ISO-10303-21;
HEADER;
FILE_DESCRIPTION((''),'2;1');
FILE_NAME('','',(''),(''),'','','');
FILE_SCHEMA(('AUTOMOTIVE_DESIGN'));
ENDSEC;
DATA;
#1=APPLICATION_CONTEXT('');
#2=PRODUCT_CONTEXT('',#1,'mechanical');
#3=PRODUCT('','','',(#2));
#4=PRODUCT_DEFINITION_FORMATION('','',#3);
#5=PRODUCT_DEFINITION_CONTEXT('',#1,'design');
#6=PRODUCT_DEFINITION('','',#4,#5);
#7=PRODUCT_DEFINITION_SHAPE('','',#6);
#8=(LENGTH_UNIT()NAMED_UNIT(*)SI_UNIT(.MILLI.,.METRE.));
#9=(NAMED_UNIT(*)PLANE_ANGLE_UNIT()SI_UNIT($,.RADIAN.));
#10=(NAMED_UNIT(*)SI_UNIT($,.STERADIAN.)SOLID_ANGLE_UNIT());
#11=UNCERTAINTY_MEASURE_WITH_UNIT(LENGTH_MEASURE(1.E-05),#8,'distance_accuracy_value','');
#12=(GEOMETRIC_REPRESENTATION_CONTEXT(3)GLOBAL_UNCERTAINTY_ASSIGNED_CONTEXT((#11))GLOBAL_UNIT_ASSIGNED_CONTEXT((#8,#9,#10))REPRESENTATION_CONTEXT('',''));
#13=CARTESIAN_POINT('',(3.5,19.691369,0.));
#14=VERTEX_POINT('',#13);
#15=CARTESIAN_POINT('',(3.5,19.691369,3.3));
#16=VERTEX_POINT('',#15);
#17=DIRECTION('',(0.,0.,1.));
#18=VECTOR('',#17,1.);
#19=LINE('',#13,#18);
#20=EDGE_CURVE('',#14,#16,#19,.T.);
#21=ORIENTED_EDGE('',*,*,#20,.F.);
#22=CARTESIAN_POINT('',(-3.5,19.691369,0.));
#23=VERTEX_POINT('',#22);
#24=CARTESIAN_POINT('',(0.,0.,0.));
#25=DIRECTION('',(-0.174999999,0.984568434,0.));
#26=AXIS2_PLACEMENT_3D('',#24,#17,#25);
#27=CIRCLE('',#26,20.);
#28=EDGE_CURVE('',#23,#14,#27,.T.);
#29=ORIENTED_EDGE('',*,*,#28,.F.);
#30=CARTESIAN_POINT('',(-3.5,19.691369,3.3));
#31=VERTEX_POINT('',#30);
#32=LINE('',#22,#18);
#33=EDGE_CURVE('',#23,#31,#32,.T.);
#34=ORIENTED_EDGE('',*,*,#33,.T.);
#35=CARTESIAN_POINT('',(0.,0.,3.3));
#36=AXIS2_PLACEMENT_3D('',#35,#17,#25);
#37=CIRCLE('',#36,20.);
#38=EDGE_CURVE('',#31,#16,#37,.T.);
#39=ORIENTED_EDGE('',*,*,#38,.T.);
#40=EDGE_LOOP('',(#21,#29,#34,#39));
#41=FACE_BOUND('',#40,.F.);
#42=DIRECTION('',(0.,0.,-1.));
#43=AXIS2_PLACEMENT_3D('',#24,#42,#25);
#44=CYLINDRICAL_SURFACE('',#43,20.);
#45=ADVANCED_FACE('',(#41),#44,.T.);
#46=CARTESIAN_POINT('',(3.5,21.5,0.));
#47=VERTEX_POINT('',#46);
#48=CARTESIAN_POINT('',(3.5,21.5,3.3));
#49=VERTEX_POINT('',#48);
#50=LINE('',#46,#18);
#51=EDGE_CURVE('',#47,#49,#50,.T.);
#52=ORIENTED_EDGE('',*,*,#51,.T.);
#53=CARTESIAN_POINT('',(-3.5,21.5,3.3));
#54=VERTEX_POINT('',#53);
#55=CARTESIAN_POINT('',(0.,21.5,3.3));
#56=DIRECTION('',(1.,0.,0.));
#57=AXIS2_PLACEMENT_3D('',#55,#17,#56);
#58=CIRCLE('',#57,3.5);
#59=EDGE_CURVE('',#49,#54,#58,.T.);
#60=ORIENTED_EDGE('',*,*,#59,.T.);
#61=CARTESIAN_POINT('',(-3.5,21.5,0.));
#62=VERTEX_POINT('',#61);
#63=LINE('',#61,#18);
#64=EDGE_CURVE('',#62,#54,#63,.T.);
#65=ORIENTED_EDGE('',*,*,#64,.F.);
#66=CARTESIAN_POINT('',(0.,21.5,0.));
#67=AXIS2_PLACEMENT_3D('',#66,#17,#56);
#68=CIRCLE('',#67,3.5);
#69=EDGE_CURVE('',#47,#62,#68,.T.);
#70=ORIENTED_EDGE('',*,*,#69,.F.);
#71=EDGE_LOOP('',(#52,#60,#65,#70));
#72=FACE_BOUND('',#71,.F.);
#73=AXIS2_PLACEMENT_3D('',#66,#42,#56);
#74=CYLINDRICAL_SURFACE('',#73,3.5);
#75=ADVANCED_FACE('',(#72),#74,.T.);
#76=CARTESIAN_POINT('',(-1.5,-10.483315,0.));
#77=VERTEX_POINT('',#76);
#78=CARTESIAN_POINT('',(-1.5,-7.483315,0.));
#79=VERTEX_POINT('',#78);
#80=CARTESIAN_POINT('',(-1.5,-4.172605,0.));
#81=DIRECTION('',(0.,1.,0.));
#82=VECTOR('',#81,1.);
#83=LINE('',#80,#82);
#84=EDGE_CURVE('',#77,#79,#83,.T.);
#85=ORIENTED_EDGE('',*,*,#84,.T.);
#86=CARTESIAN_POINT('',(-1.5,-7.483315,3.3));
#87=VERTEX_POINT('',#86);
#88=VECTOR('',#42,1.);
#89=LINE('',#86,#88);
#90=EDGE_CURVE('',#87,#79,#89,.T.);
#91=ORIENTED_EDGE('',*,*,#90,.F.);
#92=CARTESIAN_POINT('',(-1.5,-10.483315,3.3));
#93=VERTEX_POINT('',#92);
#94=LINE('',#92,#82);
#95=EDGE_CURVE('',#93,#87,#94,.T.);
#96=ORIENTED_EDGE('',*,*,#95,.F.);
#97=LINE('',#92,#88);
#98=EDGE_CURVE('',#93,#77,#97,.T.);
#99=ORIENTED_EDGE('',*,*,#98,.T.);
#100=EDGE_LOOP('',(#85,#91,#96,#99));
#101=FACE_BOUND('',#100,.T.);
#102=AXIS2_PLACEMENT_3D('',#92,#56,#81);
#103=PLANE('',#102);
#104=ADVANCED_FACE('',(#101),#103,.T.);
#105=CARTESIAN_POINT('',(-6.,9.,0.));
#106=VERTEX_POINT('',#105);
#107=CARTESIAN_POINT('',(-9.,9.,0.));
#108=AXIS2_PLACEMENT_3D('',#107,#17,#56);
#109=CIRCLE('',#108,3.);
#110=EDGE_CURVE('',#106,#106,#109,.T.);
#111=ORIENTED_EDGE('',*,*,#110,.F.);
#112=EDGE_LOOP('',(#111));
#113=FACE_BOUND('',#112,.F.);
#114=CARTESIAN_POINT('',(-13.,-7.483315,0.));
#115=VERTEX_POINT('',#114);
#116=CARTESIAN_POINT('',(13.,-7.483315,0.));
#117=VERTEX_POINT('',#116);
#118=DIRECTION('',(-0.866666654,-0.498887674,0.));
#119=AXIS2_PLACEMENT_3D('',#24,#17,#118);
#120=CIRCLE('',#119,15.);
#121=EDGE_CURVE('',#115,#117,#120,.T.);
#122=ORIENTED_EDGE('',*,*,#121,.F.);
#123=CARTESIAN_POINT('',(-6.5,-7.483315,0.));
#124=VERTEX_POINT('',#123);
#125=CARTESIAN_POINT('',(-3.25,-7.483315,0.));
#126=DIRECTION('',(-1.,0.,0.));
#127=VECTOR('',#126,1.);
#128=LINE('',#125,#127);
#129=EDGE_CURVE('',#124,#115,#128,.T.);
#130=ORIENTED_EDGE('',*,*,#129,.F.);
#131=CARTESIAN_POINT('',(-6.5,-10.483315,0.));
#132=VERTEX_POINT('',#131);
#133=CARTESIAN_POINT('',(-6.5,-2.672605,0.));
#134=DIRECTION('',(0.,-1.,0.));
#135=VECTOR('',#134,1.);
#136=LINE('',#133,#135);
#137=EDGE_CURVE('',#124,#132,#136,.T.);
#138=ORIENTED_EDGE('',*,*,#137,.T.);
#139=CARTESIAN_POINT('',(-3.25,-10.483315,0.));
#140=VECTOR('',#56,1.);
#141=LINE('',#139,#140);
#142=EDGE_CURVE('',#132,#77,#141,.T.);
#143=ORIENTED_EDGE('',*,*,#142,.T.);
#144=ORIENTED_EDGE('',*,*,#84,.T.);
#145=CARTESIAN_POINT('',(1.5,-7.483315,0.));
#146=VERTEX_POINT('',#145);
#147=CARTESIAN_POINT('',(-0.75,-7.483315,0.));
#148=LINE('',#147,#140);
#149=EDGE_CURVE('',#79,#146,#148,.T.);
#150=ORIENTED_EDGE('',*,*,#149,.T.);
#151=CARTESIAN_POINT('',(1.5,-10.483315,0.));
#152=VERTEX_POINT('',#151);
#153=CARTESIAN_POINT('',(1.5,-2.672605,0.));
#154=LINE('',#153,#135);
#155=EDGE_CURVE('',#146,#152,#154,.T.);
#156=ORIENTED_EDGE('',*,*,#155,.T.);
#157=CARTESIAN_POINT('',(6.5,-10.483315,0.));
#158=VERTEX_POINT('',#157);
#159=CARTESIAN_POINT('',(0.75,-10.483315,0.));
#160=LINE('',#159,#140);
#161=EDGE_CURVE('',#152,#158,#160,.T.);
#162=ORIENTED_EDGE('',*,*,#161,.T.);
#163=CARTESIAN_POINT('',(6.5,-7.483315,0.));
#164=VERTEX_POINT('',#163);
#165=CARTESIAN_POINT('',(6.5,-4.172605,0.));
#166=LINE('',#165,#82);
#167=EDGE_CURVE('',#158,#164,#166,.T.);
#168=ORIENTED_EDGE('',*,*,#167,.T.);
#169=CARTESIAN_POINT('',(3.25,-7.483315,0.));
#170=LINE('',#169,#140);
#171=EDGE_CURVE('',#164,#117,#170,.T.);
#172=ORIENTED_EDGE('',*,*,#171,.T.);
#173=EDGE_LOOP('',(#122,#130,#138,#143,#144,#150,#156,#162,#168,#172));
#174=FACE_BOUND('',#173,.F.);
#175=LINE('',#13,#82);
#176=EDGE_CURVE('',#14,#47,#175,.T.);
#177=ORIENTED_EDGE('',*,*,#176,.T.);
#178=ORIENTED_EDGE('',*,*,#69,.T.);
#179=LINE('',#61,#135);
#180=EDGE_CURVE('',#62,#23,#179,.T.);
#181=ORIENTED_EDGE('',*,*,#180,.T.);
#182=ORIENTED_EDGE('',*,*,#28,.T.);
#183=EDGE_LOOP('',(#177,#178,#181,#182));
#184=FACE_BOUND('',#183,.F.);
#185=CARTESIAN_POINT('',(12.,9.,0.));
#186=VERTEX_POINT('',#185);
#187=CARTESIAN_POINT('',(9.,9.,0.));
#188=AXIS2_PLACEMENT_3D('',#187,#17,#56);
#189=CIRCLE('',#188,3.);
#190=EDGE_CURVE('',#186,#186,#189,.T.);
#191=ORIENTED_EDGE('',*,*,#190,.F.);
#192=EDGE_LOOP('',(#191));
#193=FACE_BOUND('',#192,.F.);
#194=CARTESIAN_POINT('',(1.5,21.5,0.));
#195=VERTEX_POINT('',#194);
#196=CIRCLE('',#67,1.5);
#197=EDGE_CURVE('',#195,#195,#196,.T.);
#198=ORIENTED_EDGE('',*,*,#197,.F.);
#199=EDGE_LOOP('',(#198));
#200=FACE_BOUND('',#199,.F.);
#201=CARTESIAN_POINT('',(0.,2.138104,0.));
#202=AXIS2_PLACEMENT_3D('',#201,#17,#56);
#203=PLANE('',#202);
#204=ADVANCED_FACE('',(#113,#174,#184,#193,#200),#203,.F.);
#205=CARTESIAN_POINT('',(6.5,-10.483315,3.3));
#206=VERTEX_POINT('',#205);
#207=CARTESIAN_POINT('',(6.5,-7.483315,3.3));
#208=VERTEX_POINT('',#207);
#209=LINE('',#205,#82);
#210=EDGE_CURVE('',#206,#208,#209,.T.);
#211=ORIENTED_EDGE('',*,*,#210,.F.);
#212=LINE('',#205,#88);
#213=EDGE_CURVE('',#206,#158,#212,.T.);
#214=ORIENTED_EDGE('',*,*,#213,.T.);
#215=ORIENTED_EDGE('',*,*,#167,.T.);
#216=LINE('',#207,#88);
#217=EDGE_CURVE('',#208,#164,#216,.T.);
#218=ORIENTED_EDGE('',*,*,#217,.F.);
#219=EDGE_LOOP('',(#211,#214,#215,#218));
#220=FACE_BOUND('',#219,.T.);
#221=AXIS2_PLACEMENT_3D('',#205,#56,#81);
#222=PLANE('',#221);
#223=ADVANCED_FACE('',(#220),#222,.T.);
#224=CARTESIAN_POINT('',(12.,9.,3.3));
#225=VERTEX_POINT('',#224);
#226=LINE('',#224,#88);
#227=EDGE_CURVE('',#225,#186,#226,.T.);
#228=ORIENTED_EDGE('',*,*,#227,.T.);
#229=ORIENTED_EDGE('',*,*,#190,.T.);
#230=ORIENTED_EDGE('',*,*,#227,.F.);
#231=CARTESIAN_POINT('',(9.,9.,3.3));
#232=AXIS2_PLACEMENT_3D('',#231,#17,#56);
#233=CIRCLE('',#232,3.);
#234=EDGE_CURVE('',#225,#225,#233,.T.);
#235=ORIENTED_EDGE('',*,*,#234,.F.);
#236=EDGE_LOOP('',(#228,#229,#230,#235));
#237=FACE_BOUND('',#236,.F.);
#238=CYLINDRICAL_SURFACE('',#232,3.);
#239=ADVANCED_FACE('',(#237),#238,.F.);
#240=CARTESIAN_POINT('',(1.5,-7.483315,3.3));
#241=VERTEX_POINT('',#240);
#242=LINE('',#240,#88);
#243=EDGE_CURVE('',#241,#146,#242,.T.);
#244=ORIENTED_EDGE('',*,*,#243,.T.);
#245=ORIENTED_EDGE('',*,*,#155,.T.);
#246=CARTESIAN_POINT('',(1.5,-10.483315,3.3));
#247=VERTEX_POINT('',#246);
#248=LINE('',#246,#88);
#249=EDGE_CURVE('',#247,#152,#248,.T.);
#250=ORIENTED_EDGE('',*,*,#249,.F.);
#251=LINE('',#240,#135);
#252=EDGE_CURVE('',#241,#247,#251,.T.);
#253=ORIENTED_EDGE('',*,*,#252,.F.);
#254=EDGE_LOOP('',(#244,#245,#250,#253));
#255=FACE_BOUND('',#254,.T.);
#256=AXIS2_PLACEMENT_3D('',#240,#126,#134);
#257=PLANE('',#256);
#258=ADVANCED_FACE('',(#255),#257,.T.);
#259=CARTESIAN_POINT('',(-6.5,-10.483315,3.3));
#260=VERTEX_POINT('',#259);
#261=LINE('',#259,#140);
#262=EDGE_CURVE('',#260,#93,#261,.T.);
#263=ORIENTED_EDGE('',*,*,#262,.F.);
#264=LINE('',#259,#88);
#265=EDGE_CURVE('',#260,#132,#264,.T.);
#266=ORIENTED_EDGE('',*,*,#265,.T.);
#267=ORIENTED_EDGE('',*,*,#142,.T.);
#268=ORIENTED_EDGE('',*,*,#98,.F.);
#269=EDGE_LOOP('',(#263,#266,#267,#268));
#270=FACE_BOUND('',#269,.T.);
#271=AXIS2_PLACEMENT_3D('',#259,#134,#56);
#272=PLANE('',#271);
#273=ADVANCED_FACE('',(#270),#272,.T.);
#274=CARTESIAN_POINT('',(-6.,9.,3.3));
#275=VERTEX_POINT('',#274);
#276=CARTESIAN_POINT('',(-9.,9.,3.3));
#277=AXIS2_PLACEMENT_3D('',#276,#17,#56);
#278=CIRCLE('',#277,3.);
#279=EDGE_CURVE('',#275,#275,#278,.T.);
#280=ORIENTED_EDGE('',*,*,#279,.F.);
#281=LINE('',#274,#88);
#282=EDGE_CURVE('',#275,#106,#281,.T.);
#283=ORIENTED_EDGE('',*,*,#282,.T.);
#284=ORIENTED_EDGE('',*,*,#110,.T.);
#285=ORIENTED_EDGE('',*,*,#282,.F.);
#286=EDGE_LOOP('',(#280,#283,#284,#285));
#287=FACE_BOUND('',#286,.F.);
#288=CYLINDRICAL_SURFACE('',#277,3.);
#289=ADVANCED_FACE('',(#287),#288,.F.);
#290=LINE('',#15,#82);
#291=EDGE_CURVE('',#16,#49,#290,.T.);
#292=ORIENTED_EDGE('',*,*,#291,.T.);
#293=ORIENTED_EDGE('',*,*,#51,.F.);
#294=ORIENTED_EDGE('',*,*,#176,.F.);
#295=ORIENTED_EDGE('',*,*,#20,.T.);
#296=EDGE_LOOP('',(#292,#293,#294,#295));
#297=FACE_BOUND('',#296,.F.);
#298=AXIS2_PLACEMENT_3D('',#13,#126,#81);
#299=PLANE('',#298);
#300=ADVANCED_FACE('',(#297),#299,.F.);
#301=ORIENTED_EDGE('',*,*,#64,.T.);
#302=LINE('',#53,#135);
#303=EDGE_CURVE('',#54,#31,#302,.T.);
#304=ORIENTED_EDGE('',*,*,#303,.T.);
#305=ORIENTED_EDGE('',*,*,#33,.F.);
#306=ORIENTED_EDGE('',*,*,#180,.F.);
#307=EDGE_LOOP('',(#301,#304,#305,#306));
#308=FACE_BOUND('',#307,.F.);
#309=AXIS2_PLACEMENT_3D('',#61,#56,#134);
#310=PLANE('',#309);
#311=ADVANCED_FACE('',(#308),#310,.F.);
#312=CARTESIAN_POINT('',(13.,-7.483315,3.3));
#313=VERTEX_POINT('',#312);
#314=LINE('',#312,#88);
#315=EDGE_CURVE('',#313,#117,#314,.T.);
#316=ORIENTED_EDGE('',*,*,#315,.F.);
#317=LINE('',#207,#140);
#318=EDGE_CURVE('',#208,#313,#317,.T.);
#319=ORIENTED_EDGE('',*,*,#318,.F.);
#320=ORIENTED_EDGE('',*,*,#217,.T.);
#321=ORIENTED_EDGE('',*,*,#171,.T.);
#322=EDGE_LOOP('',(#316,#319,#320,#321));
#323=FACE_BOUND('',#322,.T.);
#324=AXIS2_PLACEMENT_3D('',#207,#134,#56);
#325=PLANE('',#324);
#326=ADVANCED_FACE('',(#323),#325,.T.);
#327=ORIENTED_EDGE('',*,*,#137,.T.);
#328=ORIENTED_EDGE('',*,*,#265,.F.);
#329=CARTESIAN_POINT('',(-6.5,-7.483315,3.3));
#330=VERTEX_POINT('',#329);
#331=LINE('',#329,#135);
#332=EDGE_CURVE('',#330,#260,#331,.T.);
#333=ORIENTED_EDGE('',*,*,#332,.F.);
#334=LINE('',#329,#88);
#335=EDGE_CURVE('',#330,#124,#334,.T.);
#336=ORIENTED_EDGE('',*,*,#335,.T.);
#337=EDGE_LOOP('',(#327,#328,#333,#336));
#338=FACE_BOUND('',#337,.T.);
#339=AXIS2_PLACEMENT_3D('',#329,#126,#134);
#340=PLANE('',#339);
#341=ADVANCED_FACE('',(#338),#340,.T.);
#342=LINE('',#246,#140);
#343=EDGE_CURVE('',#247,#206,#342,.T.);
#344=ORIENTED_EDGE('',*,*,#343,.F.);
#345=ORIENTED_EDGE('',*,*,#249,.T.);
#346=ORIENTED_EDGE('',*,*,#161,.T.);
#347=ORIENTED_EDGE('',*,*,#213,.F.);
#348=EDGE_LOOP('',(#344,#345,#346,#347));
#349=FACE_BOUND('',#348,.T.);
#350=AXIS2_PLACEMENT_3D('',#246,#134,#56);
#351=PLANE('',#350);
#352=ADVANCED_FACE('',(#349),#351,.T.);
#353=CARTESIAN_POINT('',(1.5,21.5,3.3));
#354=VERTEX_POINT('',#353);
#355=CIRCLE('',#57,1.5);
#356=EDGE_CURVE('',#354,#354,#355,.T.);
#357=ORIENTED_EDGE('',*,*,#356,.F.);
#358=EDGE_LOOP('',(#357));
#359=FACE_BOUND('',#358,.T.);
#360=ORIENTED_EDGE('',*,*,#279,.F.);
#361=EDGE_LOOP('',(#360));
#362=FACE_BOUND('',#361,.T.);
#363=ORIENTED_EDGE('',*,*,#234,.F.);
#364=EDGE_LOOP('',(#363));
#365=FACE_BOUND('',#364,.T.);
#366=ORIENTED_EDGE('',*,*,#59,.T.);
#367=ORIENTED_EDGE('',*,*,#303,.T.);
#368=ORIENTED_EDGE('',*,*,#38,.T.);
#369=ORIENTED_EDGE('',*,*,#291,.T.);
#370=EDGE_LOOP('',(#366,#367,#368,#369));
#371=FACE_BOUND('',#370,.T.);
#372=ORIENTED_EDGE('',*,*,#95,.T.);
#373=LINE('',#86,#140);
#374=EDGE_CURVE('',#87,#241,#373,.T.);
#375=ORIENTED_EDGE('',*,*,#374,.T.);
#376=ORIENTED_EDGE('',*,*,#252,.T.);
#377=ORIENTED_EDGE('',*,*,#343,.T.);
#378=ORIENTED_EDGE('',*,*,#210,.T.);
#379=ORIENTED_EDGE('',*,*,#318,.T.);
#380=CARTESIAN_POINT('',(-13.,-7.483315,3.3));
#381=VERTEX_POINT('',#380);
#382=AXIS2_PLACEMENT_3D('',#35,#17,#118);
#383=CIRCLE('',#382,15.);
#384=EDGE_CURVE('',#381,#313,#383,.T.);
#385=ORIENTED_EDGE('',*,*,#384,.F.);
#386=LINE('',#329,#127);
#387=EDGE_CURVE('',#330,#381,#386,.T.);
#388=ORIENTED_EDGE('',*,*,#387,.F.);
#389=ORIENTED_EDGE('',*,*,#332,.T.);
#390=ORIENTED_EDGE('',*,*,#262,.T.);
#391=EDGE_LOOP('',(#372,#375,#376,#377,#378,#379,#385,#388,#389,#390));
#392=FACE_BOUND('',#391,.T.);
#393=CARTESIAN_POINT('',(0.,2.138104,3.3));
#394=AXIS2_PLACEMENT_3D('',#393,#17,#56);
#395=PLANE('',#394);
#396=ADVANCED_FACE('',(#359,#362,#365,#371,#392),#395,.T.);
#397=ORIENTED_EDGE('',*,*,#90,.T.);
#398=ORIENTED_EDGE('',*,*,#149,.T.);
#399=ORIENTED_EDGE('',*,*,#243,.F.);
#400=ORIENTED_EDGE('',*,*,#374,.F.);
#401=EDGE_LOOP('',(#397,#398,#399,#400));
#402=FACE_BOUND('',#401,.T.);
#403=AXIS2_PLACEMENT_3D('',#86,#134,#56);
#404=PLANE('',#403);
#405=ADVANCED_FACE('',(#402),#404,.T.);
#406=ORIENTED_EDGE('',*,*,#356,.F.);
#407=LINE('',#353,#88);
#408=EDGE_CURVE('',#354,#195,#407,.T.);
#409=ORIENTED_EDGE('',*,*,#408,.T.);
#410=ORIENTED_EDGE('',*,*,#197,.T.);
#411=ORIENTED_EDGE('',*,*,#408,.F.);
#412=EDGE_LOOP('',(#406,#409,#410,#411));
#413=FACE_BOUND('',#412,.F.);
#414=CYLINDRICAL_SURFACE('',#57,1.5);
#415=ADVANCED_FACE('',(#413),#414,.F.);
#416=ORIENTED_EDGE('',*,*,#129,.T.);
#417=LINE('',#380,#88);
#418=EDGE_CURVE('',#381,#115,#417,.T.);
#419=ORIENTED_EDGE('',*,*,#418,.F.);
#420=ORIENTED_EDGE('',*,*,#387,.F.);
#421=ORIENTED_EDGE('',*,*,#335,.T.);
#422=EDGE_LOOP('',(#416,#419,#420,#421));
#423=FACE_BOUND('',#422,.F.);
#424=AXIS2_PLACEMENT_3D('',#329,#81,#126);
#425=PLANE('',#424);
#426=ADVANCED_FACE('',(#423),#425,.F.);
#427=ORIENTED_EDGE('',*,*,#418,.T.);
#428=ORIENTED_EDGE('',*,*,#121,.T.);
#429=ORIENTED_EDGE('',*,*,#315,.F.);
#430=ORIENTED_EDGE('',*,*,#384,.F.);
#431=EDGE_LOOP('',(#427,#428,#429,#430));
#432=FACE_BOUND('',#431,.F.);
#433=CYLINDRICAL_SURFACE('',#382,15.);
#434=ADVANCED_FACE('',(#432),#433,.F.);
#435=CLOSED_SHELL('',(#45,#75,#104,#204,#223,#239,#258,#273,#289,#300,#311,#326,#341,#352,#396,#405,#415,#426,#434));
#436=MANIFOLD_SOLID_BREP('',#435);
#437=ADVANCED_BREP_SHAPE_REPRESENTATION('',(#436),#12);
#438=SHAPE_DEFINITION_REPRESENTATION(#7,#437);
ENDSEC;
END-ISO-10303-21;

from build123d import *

# Parameters (mm, degrees)
EXTRUDE_DEPTH   = 3.3
SKETCH001_R     = 1.5
POCKET_DEPTH    = 3.301
SKETCH002_R     = 3
POCKET001_DEPTH = 5


with BuildPart() as part:
    # Sketch → Extrude (new body)
    with BuildSketch(Plane.XY):
        with BuildLine():
            ThreePointArc((3.5, 21.5), (0, 25), (-3.5, 21.5))
            Line((-3.5, 21.5), (-3.5, 19.691369))
            ThreePointArc((-3.5, 19.691369), (0, -20), (3.5, 19.691369))
            Line((3.5, 19.691369), (3.5, 21.5))
        make_face()
    extrude(amount=EXTRUDE_DEPTH)

    # Sketch001 (on Face6 of Extrude) → Pocket (cut, through all)
    with BuildSketch(Plane.XY.offset(3.3)):
        with Locations((0, 21.5)):
            Circle(SKETCH001_R)
    extrude(amount=-POCKET_DEPTH, mode=Mode.SUBTRACT)

    # Sketch002 (on Face6 of BaseFeature) → Pocket001 (cut)
    with BuildSketch(Plane.XY.offset(3.3)):
        with Locations((9, 9)):
            Circle(SKETCH002_R)
        with Locations((-9, 9)):
            Circle(SKETCH002_R)
        with BuildLine():
            ThreePointArc((-13, -7.483315), (0, -15), (13, -7.483315))
            Line((6.5, -7.483315), (13, -7.483315))
            Line((6.5, -10.483315), (6.5, -7.483315))
            Line((1.5, -10.483315), (6.5, -10.483315))
            Line((1.5, -7.483315), (1.5, -10.483315))
            Line((-1.5, -7.483315), (1.5, -7.483315))
            Line((-1.5, -10.483315), (-1.5, -7.483315))
            Line((-6.5, -10.483315), (-1.5, -10.483315))
            Line((-6.5, -7.483315), (-6.5, -10.483315))
            Line((-6.5, -7.483315), (-13, -7.483315))
        make_face()
    extrude(amount=-POCKET001_DEPTH, mode=Mode.SUBTRACT)


solid = part.part
